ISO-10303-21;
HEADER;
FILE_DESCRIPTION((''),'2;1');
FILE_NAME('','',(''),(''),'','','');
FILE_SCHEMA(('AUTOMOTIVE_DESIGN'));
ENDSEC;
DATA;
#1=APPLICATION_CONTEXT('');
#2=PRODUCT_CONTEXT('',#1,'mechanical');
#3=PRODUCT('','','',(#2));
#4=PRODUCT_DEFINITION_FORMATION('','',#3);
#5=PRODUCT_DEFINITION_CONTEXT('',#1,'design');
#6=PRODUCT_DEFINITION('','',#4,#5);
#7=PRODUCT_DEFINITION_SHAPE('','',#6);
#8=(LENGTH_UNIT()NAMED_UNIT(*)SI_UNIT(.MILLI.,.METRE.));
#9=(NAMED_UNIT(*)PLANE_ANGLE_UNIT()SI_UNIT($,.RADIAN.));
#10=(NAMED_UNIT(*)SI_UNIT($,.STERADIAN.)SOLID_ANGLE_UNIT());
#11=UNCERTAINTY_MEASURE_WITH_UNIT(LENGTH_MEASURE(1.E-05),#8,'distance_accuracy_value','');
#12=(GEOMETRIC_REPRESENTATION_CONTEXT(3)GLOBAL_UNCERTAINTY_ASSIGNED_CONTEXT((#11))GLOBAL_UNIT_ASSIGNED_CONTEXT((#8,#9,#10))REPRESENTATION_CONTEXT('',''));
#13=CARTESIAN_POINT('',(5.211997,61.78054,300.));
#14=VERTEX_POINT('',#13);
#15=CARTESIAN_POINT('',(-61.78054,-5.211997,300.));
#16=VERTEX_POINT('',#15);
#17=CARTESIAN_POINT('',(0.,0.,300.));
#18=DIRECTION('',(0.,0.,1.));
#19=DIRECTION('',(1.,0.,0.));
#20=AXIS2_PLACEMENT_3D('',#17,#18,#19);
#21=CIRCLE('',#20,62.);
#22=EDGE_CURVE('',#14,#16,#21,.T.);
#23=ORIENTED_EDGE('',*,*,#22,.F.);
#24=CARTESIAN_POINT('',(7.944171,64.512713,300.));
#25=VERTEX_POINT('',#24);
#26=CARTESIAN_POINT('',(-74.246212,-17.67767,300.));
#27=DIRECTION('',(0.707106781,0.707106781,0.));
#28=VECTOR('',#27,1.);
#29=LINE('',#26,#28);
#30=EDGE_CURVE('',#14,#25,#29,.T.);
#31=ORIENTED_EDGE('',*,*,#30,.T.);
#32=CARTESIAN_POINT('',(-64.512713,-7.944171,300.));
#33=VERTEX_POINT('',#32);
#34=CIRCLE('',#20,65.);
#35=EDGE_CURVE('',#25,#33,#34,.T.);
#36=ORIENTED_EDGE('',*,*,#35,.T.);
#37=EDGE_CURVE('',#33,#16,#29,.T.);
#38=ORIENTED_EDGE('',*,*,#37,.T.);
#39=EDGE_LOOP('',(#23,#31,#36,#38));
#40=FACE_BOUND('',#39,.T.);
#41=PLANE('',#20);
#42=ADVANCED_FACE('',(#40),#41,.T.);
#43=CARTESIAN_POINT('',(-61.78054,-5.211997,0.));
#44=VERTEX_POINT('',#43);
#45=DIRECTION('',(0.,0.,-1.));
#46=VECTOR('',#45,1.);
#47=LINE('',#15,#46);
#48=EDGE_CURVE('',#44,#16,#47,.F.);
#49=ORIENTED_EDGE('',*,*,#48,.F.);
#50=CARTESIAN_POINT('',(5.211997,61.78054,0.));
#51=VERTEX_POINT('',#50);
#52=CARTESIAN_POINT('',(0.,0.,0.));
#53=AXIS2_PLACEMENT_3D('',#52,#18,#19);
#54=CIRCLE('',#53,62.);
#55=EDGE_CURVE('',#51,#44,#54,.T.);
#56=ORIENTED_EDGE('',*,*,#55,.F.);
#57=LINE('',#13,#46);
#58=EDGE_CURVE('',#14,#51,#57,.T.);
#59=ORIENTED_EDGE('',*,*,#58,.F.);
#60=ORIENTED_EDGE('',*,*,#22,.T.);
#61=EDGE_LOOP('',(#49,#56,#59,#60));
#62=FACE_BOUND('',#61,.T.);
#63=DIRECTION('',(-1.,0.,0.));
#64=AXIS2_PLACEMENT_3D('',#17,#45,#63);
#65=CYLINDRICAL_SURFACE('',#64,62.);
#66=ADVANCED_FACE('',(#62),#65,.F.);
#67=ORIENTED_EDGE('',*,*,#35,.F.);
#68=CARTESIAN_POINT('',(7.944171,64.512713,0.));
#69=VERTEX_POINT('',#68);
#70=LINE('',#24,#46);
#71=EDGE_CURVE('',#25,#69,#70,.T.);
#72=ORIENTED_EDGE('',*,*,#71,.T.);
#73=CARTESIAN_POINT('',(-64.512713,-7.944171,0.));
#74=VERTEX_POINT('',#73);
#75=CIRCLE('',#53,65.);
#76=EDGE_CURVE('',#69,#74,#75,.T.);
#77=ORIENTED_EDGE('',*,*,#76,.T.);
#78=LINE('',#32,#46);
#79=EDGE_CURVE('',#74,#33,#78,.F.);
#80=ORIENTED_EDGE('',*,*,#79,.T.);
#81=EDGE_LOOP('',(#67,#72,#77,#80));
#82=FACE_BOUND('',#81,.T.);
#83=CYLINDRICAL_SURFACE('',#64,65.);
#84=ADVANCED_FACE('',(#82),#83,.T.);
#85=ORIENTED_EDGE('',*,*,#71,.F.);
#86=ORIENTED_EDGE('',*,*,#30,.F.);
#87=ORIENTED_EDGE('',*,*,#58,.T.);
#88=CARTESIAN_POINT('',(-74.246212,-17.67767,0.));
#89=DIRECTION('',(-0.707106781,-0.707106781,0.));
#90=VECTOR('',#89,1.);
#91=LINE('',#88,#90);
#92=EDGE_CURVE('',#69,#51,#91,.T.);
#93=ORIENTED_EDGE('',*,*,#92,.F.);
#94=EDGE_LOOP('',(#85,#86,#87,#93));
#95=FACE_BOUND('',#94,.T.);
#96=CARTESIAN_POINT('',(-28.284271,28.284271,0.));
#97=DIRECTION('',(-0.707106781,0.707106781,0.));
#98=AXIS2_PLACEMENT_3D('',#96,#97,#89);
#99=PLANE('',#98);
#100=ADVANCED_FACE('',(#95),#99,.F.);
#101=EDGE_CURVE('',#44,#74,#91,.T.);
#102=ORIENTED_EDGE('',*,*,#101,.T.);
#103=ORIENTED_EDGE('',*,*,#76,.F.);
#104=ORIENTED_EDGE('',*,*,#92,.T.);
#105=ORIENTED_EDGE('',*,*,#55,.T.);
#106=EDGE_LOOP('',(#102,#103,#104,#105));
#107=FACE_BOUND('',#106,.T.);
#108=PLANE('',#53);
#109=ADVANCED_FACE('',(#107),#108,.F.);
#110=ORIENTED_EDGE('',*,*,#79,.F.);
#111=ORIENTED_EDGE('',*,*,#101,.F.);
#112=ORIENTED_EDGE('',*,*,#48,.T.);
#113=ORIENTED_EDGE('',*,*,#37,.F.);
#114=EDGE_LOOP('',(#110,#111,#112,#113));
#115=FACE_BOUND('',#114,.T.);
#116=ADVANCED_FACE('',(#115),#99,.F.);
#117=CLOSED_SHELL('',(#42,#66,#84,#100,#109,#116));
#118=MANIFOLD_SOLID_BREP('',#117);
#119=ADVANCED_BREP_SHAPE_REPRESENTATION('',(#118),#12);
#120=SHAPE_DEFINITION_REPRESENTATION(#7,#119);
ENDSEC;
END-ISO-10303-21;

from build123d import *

# Parameters (mm, degrees)
SKETCH1_R           = 65
SKETCH1_R_2         = 62
BOSS_EXTRUDE1_DEPTH = 300
SKETCH4_W           = 130
SKETCH4_H           = 300
CUT_EXTRUDE4_DEPTH  = 516


with BuildPart() as part:
    # Sketch1 → Boss-Extrude1 (new body)
    with BuildSketch(Plane.XY):
        Circle(SKETCH1_R)
        Circle(SKETCH1_R_2, mode=Mode.SUBTRACT)
    extrude(amount=BOSS_EXTRUDE1_DEPTH)

    # Sketch4 → Cut-Extrude4 (cut)
    with BuildSketch(Plane(origin=(-28.284271247, 28.284271247, 0), x_dir=(0.7071067811865477, 0.7071067811865475, 0), z_dir=(-0.7071067811865475, 0.7071067811865477, 0))):
        with Locations((0, -150)):
            Rectangle(SKETCH4_W, SKETCH4_H)
    extrude(amount=-CUT_EXTRUDE4_DEPTH, mode=Mode.SUBTRACT)


solid = part.part
